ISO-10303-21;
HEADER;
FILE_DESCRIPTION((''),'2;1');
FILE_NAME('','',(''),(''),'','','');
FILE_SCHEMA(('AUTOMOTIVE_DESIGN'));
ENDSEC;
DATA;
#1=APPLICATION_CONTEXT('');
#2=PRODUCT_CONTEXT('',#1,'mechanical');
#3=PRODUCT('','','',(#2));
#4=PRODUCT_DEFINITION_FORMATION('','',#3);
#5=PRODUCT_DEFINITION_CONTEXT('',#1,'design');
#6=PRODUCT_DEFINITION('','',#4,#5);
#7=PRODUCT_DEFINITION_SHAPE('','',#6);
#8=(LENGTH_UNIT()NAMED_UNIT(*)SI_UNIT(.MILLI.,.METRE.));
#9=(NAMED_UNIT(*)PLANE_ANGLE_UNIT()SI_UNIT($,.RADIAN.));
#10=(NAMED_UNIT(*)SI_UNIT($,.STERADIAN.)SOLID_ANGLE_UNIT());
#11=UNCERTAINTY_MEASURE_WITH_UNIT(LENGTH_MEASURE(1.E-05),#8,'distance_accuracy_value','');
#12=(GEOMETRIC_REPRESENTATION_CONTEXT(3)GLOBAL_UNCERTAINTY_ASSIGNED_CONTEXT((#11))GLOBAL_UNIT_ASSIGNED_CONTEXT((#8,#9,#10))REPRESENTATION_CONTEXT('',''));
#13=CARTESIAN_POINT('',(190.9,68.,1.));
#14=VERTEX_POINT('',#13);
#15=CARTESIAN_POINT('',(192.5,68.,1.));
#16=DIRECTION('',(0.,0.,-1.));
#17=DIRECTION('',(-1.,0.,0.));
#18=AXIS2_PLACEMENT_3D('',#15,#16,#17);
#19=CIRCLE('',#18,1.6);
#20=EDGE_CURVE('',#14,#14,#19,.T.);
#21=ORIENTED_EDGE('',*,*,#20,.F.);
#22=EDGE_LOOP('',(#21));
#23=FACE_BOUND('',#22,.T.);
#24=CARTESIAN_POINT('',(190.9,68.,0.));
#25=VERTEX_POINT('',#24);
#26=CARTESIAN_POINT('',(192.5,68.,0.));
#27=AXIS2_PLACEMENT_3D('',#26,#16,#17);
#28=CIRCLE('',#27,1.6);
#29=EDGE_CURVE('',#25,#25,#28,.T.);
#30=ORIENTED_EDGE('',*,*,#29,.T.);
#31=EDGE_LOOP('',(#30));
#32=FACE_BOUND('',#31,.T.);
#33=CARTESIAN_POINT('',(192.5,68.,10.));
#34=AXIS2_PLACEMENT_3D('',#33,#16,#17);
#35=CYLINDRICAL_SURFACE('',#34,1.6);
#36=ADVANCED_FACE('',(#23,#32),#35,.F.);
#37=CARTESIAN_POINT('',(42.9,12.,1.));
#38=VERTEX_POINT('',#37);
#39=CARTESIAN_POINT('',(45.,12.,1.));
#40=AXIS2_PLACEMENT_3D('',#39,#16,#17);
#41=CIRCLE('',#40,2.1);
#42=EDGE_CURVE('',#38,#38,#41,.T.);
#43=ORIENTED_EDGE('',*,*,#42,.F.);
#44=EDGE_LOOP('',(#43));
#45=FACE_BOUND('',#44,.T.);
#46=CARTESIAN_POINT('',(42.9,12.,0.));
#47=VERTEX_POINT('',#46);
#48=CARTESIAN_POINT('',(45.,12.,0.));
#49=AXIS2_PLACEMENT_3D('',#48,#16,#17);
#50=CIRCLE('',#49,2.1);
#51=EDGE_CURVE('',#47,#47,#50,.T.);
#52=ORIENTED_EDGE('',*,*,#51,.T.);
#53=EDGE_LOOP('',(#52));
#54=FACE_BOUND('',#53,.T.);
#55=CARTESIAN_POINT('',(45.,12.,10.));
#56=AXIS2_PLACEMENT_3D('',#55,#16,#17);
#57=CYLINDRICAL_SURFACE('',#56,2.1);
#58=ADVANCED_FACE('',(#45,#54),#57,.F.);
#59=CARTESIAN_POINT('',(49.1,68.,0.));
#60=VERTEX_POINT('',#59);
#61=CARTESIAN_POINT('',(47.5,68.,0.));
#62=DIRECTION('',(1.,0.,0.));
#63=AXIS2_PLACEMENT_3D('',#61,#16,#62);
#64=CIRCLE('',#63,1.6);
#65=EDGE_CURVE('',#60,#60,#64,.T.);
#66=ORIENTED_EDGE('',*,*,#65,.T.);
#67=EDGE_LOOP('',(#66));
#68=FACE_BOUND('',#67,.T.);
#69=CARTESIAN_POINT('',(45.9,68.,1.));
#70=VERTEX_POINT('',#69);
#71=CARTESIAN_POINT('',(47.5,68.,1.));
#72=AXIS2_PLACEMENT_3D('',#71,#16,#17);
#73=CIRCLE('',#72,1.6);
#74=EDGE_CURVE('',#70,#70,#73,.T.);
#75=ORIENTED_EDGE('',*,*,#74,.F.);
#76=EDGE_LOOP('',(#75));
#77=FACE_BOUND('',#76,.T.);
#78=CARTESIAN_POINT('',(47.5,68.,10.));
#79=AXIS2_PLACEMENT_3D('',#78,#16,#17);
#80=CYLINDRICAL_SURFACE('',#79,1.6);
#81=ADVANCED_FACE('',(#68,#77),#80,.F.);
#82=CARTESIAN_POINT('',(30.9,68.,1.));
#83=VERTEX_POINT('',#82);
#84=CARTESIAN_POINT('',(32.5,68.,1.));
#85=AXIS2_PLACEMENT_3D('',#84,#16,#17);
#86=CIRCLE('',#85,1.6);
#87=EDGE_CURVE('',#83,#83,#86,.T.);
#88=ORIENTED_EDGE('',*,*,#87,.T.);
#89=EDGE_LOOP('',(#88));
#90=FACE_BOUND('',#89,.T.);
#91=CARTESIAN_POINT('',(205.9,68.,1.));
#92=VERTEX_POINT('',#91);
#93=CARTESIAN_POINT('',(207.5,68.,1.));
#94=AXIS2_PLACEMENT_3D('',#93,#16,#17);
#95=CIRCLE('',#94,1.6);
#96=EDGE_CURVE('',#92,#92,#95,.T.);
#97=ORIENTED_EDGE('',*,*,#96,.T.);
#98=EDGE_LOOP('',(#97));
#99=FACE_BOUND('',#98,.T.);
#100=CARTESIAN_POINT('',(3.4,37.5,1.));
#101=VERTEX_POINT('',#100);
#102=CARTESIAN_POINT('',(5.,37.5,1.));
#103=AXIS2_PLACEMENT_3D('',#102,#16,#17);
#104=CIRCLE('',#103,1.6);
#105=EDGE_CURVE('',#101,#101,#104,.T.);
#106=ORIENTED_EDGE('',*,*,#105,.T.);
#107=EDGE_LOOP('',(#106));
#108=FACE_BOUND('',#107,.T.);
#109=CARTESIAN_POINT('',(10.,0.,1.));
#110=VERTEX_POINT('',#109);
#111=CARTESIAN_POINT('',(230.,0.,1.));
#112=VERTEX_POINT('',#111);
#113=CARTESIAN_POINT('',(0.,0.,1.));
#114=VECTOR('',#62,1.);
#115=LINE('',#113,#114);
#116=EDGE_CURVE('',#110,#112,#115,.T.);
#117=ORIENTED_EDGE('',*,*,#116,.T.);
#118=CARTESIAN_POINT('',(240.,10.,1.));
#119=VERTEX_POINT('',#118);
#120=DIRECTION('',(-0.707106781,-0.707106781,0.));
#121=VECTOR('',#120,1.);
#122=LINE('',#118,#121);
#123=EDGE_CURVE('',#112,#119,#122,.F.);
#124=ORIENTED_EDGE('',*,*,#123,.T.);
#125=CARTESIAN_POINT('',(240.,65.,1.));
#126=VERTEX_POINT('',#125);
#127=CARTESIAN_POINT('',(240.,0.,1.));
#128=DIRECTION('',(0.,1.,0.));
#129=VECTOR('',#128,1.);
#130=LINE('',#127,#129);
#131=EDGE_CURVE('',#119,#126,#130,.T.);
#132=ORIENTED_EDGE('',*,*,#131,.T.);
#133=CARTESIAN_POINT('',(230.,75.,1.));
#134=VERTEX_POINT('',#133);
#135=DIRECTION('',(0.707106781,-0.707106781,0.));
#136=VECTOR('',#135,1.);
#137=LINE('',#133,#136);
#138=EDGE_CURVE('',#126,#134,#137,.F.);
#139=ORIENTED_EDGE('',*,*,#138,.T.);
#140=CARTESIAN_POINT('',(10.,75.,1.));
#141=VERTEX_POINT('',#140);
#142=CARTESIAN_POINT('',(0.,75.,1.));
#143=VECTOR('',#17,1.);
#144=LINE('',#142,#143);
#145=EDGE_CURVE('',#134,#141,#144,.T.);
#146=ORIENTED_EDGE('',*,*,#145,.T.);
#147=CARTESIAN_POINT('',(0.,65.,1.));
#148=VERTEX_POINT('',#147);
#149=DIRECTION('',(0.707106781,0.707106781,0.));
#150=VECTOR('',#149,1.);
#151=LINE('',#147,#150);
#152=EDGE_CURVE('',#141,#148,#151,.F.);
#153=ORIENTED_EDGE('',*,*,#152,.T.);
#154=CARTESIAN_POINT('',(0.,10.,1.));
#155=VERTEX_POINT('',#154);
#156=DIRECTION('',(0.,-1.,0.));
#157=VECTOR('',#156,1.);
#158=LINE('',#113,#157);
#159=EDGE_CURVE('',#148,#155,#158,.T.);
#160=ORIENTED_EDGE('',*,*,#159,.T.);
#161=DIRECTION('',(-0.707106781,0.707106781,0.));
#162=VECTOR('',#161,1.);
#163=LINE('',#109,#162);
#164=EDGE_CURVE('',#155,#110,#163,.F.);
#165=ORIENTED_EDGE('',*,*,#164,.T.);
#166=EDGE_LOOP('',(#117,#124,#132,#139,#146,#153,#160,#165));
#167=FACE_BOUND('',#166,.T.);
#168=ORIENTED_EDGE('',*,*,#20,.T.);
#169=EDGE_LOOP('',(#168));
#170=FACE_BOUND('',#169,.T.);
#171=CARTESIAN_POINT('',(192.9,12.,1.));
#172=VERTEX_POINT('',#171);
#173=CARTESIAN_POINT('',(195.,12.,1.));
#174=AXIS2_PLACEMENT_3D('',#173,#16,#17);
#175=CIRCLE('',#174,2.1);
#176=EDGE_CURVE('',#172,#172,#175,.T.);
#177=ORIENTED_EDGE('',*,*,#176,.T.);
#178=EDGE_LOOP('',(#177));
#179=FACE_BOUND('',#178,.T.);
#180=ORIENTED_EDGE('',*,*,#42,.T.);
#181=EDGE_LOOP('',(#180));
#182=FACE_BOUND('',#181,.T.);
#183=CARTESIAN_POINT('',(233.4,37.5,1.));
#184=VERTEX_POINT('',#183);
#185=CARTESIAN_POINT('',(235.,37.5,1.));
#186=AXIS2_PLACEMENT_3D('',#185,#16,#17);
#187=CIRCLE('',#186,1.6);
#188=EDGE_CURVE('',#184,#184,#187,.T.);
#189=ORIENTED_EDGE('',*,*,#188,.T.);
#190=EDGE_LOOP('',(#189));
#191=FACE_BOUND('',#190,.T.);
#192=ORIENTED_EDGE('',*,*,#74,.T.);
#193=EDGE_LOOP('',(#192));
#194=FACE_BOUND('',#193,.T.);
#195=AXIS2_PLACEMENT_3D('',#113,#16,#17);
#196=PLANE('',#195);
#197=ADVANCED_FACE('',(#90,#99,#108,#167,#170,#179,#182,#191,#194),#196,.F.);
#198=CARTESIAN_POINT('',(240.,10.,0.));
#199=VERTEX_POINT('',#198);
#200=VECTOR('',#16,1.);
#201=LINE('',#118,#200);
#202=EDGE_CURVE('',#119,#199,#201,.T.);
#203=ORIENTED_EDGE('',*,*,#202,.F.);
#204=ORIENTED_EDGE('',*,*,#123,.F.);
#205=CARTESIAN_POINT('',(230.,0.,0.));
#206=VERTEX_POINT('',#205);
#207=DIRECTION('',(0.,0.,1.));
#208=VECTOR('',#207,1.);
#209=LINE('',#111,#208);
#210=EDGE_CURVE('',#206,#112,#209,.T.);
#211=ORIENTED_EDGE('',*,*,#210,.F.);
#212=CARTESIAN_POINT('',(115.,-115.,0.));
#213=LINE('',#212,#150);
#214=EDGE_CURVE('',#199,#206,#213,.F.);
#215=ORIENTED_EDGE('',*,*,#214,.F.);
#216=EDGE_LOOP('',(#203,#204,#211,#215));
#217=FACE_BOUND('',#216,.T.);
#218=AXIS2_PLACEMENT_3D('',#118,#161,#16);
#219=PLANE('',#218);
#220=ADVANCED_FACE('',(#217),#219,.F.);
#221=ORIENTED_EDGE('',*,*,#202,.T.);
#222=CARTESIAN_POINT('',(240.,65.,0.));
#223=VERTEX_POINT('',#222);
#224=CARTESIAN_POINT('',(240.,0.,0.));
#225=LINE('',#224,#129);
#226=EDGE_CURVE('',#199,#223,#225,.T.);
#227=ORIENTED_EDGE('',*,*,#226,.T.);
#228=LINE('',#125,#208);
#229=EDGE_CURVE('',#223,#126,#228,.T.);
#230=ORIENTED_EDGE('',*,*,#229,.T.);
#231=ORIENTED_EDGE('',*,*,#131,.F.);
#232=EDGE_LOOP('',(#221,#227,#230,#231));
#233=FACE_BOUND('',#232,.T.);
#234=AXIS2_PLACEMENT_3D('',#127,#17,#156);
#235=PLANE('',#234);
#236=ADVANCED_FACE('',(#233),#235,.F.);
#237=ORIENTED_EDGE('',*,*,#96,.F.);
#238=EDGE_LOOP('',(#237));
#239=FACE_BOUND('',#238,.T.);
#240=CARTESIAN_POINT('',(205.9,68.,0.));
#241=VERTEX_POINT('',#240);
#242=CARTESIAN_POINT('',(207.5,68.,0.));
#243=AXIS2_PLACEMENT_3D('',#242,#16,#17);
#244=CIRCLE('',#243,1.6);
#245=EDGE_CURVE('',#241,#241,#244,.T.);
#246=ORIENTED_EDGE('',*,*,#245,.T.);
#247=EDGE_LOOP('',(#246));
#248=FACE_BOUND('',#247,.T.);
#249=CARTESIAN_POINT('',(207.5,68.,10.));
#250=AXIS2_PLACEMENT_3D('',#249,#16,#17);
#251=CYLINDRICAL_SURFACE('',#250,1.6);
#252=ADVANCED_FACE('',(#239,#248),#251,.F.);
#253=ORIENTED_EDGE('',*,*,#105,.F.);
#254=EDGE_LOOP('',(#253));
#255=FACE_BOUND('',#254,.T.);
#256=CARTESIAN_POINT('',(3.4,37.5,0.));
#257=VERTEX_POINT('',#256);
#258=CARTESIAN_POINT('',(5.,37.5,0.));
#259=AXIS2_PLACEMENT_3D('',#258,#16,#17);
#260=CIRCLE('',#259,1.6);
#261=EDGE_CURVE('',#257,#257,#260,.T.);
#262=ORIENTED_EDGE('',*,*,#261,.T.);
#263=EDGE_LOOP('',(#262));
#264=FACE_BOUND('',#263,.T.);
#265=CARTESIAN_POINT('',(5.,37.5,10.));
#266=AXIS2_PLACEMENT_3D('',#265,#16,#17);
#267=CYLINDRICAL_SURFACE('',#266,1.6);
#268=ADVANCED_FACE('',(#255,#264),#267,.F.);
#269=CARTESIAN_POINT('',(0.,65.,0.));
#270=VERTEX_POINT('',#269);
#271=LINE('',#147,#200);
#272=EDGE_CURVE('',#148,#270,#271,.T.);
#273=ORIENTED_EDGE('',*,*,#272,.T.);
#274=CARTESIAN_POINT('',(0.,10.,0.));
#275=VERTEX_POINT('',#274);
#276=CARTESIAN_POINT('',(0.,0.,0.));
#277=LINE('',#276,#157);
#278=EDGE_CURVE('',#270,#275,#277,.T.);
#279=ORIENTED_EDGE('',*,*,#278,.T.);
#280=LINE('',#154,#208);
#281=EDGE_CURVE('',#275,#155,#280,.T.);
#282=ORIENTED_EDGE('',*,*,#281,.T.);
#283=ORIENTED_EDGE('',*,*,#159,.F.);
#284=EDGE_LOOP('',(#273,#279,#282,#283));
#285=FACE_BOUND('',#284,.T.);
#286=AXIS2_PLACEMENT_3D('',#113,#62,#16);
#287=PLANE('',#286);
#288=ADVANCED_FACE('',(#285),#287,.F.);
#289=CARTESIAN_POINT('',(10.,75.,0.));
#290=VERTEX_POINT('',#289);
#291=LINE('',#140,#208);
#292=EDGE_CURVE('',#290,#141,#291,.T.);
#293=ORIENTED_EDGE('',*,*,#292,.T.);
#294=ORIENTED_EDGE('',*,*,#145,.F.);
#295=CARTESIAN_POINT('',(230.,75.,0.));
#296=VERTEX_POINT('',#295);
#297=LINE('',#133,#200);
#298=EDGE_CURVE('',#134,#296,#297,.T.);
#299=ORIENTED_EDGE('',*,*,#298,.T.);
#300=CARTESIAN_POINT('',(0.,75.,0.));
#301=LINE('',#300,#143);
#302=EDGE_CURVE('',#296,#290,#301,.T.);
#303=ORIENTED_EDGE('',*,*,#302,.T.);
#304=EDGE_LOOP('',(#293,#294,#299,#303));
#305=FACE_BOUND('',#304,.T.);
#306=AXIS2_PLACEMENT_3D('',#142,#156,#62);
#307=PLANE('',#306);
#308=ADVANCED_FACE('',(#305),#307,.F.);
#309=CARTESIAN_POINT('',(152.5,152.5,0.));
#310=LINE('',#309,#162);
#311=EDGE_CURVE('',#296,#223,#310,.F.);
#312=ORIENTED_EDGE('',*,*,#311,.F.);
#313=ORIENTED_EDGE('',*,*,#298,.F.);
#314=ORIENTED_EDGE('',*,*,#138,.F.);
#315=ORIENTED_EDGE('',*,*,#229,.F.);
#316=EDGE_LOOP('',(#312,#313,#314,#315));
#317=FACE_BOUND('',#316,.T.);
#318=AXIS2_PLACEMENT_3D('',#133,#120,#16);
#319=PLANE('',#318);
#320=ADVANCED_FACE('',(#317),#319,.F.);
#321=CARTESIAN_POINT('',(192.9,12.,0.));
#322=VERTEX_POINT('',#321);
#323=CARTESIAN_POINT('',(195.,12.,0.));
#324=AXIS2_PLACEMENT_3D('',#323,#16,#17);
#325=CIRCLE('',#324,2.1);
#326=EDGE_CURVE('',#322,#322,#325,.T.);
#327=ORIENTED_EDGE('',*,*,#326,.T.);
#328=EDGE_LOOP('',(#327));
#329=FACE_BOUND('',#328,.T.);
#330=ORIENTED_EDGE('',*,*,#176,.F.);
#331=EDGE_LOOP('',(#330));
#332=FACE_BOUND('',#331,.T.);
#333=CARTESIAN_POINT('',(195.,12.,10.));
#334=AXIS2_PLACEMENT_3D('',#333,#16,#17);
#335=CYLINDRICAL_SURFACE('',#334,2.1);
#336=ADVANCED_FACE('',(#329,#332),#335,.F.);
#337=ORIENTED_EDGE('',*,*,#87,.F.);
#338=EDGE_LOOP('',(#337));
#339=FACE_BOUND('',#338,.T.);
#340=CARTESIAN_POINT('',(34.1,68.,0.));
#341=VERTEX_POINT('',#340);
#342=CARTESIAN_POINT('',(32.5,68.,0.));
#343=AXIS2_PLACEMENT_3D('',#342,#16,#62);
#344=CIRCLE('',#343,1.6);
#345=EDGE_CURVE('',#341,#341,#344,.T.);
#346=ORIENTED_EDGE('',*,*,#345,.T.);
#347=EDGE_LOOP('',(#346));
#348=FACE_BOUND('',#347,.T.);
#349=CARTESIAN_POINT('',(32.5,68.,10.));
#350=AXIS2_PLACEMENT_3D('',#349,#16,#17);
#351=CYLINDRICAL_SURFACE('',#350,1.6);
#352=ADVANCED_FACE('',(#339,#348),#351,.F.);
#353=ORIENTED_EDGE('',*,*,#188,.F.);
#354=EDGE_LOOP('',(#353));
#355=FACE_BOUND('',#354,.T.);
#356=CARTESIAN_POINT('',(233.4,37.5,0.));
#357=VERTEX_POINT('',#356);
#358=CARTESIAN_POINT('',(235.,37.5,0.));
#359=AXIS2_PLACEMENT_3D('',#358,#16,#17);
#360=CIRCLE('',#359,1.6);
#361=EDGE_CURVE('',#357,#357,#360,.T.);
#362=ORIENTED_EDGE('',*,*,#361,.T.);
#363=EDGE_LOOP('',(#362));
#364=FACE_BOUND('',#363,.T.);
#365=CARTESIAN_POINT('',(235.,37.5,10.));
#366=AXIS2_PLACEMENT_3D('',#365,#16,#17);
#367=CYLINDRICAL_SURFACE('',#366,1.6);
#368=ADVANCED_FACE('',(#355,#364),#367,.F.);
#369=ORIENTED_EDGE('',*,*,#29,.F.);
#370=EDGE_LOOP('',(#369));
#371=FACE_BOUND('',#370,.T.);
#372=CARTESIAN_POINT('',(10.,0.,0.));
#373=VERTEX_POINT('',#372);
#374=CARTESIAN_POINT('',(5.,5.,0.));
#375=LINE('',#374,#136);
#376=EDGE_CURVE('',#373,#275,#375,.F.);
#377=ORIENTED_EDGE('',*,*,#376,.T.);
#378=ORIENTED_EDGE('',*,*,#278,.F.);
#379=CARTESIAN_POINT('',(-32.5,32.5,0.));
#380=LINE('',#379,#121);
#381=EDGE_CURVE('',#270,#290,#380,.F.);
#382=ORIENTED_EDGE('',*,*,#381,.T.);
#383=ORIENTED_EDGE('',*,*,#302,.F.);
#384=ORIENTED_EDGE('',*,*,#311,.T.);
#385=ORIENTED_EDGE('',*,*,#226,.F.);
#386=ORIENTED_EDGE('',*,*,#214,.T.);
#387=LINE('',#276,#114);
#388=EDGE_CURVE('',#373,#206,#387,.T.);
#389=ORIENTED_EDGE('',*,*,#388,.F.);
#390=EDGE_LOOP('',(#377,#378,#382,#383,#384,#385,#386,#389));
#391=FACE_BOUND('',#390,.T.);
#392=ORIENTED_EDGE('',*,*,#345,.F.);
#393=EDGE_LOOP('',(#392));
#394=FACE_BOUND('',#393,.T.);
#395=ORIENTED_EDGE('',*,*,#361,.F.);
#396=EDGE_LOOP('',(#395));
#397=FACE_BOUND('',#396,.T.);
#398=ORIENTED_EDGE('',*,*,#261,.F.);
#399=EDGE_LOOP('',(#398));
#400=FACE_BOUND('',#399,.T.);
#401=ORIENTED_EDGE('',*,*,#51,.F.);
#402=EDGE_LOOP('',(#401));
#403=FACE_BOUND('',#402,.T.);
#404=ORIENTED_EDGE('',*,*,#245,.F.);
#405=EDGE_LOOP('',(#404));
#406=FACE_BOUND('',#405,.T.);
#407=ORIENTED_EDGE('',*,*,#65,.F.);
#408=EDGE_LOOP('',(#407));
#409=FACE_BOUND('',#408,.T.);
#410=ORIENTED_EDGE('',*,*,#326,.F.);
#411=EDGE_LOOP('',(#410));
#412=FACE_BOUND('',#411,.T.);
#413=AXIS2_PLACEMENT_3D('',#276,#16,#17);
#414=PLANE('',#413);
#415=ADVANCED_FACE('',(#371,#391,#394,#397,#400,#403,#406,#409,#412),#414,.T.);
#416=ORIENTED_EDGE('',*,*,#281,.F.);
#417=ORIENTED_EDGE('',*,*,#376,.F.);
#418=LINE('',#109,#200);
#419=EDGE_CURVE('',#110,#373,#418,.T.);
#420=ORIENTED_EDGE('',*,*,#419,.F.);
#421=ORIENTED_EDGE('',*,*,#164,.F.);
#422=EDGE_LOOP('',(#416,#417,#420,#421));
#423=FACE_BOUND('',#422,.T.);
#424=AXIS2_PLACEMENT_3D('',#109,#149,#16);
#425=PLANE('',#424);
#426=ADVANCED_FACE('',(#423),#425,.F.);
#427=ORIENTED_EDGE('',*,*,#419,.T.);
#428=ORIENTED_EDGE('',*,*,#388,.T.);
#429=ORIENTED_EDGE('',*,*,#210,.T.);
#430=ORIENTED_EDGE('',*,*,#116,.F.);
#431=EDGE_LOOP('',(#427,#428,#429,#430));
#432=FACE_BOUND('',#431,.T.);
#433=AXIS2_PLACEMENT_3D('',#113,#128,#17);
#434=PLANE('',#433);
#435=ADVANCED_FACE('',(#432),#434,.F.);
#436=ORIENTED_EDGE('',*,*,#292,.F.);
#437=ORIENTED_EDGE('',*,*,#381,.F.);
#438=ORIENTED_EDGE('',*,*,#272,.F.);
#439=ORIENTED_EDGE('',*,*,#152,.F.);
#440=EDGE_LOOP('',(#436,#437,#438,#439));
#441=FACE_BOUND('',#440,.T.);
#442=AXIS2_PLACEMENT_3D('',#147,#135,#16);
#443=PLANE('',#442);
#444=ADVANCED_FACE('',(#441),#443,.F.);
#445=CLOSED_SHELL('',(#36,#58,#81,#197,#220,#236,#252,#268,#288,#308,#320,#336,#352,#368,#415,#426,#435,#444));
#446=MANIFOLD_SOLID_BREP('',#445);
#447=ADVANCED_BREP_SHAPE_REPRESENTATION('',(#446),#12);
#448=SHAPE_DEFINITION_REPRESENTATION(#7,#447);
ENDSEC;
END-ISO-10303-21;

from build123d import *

# Parameters (mm, degrees)
SKETCH_1_W          = 240
SKETCH_1_H          = 75
EXTRUDE_1_DEPTH     = 1
CHAMFER_1_SIZE      = 10
SKETCH_4_R          = 2.1
SKETCH_4_R_2        = 1.6
CUT_EXTRUDE_3_DEPTH = 10


with BuildPart() as part:
    # 草图1 → 凸台-拉伸1 (new body)
    with BuildSketch(Plane.XY):
        with Locations((120, 37.5)):
            Rectangle(SKETCH_1_W, SKETCH_1_H)
    extrude(amount=EXTRUDE_1_DEPTH)

    # 倒角1
    chamfer_1_edges = [part.edges().sort_by_distance(p)[0] for p in [
        (0, 75, 0.5),
        (240, 75, 0.5),
        (240, 0, 0.5),
        (0, 0, 0.5),
    ]]
    chamfer(chamfer_1_edges, length=CHAMFER_1_SIZE)

    # 草图4 → 切除-拉伸3 (cut)
    with BuildSketch(Plane(origin=(0, 0, 0), x_dir=(-1, 0, 0), z_dir=(0, 0, -1))):
        with Locations((-195, 12)):
            Circle(SKETCH_4_R)
        with Locations((-45, 12)):
            Circle(SKETCH_4_R)
        with Locations((-207.5, 68)):
            Circle(SKETCH_4_R_2)
        with Locations((-192.5, 68)):
            Circle(SKETCH_4_R_2)
        with Locations((-47.5, 68)):
            Circle(SKETCH_4_R_2)
        with Locations((-32.5, 68)):
            Circle(SKETCH_4_R_2)
        with Locations((-235, 37.5)):
            Circle(SKETCH_4_R_2)
        with Locations((-5, 37.5)):
            Circle(SKETCH_4_R_2)
    extrude(amount=-CUT_EXTRUDE_3_DEPTH, mode=Mode.SUBTRACT)


solid = part.part
